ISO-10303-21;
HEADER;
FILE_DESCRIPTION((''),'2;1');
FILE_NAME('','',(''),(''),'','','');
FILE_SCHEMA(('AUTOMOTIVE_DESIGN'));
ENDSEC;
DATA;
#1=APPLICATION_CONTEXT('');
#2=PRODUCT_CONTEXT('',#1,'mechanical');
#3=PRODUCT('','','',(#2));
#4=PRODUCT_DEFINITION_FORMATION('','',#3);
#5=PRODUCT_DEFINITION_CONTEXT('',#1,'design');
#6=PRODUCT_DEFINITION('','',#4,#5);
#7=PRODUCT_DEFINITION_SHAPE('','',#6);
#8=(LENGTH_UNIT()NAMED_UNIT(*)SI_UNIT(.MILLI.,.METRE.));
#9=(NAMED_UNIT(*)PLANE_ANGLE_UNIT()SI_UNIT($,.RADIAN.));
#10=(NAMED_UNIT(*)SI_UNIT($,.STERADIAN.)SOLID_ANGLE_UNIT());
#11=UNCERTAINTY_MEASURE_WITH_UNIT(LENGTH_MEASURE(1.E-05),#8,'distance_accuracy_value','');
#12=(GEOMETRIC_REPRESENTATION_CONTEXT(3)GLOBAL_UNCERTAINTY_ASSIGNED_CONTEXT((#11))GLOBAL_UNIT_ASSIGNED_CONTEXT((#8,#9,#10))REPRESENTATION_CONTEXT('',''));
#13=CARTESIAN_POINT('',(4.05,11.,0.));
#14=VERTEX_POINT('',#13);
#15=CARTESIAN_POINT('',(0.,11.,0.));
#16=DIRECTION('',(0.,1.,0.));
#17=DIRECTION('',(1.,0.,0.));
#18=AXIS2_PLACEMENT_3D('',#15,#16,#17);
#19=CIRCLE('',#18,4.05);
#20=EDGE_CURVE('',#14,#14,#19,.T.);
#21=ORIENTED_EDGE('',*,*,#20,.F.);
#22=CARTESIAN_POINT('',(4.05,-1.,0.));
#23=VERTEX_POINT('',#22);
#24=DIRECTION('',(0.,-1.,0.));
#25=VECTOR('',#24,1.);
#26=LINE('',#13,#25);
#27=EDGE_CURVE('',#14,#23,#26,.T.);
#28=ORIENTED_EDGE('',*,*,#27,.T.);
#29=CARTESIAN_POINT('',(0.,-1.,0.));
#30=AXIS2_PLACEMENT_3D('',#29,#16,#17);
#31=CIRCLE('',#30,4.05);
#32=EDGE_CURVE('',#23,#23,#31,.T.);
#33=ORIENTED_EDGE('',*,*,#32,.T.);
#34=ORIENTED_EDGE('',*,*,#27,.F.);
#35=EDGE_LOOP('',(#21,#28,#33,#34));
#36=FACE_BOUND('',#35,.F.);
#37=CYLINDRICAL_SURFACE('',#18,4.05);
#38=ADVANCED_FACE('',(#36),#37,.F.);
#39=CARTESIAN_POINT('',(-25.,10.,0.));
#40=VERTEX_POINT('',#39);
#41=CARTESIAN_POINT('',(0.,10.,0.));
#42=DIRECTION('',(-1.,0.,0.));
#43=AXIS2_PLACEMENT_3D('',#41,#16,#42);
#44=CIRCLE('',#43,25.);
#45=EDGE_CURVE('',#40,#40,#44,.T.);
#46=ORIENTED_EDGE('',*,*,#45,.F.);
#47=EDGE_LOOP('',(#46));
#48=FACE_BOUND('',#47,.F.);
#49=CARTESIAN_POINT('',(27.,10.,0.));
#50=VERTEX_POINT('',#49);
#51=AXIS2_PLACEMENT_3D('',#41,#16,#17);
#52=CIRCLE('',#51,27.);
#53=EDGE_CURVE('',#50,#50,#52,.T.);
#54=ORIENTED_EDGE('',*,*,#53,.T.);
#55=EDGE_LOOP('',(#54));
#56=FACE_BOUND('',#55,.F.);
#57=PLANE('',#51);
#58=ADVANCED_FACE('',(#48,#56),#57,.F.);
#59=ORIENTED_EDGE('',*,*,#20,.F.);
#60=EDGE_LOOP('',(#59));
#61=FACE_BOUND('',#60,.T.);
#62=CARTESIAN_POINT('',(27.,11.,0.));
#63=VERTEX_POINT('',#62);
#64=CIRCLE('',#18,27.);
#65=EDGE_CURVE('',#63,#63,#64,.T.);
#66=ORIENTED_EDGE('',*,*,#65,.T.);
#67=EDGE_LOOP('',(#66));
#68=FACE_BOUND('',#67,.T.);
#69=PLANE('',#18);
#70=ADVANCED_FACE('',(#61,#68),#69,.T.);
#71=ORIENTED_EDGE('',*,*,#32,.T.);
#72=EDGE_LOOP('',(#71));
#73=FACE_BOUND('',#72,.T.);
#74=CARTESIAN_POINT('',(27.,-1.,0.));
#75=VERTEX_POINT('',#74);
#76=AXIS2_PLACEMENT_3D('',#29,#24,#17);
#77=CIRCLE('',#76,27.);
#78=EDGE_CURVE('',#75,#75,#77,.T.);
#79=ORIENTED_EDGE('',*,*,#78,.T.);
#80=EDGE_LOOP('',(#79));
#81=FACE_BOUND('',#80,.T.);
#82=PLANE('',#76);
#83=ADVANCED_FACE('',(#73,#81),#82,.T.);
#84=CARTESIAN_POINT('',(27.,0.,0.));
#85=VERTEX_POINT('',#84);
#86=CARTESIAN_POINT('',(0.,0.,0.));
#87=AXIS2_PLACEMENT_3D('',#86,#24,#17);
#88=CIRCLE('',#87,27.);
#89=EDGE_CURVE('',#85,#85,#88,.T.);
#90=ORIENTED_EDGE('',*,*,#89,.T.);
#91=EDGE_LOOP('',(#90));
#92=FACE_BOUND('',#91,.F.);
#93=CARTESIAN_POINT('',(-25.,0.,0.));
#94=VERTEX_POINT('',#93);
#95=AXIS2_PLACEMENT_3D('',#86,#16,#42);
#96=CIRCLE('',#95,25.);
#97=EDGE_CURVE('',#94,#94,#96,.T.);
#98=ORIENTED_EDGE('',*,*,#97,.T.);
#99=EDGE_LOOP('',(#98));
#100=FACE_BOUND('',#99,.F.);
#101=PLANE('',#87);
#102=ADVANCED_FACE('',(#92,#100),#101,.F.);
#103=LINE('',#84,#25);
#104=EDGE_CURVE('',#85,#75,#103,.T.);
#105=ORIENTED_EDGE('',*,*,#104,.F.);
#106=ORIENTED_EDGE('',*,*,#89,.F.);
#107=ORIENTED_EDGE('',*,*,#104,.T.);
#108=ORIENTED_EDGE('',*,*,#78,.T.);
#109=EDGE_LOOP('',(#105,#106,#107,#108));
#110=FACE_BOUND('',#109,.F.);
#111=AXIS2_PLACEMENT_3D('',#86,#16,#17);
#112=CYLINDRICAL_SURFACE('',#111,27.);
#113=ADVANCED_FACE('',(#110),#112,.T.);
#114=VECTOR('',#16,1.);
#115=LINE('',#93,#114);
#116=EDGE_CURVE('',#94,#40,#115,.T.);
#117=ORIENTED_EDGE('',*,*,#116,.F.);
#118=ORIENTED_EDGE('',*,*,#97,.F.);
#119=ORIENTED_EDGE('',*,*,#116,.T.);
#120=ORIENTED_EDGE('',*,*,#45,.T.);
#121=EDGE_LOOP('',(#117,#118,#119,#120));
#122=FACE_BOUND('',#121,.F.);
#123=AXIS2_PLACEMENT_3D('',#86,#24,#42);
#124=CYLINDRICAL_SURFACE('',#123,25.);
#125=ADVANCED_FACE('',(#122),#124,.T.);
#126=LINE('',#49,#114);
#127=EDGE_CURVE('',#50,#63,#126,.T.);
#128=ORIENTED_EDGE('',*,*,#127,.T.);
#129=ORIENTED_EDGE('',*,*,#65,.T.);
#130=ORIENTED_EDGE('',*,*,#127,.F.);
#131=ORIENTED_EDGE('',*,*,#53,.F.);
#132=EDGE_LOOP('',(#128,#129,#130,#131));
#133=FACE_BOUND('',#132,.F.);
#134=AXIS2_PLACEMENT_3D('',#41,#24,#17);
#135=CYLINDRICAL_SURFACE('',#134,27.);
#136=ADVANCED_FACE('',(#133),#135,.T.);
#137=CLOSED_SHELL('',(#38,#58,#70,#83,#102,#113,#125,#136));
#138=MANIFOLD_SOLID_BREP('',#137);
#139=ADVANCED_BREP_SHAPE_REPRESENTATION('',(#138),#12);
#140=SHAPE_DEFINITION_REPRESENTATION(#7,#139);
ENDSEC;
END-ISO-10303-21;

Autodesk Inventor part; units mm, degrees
ref_plane "YZ Plane" through (0, 0, 0) normal (1, 0, 0) x (0, 1, 0)
ref_plane "XZ Plane" through (0, 0, 0) normal (0, 1, 0) x (-1, 0, 0)
ref_plane "XY Plane" through (0, 0, 0) normal (0, 0, 1) x (1, 0, 0)
sketch "スケッチ1" plane through (0, 0, 0) normal (0, 1, 0) x (-1, 0, 0)
  circle A0 centre (0, 0) radius 25
  dimension "d0" = 50
extrude "押し出し1" add sketch "スケッチ1" along normal blind 10
sketch "スケッチ2" plane through (0, 10, 0) normal (0, 1, 0) x (1, 0, 0)
  circle A0 centre (0, 0) radius 27
  dimension "d3" = 54
extrude "押し出し2" add sketch "スケッチ2" along normal blind 1
sketch "スケッチ3" plane through (0, 0, 0) normal (0, -1, 0) x (1, 0, 0)
  circle A0 centre (0, 0) radius 27
  dimension "d6" = 54
extrude "押し出し3" add sketch "スケッチ3" along normal blind 1
sketch "スケッチ4" plane through (0, 11, 0) normal (0, 1, 0) x (1, 0, 0)
  circle A0 centre (0, 0) radius 4.05
  dimension "d9" = 8.1
extrude "押し出し4" cut sketch "スケッチ4" against normal blind 12
properties part number "NHK"
